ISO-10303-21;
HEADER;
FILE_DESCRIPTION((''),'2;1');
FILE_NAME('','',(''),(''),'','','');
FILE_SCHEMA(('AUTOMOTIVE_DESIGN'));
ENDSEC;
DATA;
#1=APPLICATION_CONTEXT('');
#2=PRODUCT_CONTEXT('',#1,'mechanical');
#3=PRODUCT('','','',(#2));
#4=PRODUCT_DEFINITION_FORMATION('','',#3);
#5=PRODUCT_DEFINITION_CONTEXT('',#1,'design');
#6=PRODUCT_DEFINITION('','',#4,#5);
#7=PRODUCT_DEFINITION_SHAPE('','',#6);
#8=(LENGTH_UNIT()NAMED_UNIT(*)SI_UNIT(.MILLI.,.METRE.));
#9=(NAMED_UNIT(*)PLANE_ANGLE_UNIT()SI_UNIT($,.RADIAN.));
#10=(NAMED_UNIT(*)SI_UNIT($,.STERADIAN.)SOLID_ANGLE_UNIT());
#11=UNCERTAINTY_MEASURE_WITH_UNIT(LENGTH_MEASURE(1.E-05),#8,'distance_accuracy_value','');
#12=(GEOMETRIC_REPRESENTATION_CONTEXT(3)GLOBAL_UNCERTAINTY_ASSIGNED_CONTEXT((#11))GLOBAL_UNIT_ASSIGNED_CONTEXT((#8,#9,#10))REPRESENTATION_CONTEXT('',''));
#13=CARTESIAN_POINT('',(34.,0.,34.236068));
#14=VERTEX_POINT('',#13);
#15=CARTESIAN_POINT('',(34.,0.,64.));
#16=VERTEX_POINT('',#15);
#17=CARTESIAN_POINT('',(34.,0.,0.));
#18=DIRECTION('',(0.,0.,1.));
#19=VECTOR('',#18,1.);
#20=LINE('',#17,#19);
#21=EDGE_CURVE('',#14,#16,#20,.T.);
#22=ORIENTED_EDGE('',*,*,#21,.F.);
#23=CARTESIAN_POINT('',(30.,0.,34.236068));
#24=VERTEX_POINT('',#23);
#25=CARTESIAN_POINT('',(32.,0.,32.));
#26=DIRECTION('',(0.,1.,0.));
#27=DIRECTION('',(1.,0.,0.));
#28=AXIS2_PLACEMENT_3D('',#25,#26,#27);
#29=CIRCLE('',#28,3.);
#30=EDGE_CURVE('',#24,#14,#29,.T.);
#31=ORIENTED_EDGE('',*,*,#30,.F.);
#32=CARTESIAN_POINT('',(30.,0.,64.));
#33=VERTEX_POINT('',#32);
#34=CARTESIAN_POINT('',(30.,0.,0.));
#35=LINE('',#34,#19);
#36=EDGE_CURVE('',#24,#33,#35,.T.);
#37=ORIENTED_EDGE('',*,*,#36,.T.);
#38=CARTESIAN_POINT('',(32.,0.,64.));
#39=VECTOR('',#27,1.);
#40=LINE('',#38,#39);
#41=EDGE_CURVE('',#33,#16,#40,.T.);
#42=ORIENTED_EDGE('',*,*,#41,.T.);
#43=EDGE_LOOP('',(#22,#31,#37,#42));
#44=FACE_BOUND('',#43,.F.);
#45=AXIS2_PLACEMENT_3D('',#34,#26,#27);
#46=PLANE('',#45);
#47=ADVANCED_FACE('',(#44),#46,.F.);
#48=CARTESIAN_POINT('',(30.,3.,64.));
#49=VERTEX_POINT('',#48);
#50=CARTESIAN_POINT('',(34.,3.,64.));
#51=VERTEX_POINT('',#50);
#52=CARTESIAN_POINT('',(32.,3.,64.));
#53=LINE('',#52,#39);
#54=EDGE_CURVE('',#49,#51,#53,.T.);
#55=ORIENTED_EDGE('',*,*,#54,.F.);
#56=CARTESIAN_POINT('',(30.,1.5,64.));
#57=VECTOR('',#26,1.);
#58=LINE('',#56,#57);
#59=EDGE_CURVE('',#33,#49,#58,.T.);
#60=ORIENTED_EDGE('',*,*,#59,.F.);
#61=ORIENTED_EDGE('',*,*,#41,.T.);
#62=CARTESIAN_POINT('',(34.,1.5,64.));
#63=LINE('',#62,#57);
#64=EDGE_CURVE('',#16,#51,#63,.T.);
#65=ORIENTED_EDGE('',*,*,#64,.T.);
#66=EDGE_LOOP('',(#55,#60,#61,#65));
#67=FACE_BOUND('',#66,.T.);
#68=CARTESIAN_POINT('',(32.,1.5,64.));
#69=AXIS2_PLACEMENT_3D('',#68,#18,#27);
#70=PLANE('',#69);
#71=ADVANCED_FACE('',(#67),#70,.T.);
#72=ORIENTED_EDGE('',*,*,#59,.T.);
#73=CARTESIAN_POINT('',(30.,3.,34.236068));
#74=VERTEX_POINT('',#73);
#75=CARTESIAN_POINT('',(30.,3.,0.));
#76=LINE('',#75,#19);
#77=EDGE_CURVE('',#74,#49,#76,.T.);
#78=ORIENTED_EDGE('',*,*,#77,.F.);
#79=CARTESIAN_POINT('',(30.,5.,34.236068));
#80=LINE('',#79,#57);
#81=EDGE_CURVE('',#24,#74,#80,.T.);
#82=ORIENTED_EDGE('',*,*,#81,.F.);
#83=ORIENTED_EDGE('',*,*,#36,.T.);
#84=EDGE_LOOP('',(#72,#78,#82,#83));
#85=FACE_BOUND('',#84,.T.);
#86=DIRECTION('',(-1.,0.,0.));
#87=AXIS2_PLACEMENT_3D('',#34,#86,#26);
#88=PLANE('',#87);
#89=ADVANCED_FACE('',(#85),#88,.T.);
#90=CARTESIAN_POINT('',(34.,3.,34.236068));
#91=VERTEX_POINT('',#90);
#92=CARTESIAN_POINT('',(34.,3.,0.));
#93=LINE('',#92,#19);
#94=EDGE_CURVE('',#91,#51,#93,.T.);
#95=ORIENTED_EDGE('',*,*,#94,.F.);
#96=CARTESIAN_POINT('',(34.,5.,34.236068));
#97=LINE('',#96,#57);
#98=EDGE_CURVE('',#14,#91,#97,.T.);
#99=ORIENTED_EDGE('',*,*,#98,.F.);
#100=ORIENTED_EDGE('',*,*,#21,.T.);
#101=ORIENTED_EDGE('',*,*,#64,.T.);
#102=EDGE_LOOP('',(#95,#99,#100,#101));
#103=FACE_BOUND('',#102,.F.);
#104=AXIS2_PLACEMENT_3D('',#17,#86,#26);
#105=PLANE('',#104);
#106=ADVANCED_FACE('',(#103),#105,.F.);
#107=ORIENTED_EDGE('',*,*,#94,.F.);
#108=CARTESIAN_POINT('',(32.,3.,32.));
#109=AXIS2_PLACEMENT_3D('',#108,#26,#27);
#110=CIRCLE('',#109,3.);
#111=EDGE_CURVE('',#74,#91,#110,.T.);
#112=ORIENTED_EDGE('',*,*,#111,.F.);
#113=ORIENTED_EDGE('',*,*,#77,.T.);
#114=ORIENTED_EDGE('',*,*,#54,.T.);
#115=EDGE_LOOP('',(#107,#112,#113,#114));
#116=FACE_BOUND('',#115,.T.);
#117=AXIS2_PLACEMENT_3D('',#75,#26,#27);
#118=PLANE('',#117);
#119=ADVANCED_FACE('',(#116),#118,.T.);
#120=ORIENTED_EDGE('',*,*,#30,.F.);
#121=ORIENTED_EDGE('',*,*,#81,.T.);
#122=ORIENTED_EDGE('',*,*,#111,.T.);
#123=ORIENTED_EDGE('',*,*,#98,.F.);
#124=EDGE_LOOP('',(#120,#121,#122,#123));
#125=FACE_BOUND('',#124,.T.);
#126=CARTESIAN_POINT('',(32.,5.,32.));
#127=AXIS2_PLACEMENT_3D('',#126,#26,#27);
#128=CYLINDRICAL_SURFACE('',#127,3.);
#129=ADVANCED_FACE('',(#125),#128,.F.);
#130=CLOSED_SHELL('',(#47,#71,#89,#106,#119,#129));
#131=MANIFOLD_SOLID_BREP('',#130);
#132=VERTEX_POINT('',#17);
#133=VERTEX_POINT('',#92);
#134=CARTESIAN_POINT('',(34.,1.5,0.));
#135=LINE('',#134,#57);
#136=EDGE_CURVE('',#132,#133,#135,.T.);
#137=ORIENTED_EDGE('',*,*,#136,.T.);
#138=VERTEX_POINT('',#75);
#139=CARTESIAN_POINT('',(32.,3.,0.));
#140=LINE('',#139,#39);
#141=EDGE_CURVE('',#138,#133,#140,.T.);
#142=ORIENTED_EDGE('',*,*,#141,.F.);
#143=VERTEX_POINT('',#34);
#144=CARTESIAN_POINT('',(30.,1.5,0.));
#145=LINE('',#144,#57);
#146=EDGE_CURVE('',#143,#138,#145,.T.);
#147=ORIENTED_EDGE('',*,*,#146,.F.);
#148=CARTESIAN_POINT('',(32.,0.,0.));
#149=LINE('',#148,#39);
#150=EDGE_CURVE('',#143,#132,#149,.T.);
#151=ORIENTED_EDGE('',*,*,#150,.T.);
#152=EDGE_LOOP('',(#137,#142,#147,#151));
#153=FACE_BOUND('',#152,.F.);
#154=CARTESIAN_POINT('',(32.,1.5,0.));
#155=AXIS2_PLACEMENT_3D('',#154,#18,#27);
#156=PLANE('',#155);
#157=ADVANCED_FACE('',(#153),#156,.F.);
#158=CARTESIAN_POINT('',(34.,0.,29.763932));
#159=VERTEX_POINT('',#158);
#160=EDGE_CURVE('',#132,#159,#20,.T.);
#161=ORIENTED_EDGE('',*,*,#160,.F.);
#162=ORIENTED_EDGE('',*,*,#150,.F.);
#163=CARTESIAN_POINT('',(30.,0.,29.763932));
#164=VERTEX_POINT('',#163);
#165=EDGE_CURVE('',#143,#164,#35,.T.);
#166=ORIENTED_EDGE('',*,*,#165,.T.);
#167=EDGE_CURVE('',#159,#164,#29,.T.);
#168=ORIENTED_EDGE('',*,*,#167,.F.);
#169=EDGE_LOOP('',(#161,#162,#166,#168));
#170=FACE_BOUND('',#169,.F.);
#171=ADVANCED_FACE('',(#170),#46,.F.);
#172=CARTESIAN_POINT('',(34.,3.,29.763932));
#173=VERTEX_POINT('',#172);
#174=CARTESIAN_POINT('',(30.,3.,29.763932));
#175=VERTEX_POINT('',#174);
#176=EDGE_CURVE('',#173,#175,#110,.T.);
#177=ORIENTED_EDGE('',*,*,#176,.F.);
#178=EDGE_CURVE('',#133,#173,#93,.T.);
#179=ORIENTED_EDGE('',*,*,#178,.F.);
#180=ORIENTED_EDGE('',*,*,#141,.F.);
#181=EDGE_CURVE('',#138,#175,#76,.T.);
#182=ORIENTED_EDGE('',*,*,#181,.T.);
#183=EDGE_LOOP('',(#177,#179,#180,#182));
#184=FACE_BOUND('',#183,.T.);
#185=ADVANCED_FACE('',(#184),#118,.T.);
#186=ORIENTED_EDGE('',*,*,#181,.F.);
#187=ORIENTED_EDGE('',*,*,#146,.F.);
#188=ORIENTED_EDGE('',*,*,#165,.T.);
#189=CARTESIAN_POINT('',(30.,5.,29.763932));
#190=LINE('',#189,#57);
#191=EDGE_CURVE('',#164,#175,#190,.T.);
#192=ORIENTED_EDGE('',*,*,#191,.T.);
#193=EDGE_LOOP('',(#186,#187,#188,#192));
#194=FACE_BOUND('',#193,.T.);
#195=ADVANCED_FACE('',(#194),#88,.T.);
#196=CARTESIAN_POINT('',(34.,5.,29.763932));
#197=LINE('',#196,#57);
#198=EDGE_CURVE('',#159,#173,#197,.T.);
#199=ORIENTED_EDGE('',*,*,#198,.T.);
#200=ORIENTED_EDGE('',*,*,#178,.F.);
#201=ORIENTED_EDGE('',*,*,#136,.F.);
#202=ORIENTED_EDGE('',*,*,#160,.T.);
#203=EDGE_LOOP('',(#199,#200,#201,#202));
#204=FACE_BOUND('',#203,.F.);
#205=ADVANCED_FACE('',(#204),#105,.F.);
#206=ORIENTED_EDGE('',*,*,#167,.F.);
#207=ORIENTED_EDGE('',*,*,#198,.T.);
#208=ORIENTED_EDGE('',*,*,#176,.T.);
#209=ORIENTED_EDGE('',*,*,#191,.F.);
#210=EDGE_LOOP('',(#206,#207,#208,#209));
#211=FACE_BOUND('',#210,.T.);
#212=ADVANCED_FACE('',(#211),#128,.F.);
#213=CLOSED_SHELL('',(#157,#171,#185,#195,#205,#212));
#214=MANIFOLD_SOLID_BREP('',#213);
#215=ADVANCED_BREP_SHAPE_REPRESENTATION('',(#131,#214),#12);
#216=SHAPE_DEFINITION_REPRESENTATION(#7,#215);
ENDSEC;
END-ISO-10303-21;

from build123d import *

# Parameters (mm, degrees)
CYLINDER868_R     = 3
CYLINDER868_DEPTH = 10
BOX419_W          = 4
BOX419_H          = 3
BOX419_DEPTH      = 64


with BuildPart() as v_lec868:
    # Cylinder868 → Cylinder868 (new body)
    with BuildSketch(Plane(origin=(32, 5, 32), x_dir=(1, 0, 0), z_dir=(0, -1, 0))):
        Circle(CYLINDER868_R)
    extrude(amount=CYLINDER868_DEPTH)


with BuildPart() as cut017:
    # Box419 → Box419 (new body)
    with BuildSketch(Plane(origin=(30, 0, 0), x_dir=(1, 0, 0), z_dir=(0, 0, 1))):
        with Locations((2, 1.5)):
            Rectangle(BOX419_W, BOX419_H)
    extrude(amount=BOX419_DEPTH)

    # Cut017: cut Válec868
    add(v_lec868.part, mode=Mode.SUBTRACT)


solid = cut017.part
